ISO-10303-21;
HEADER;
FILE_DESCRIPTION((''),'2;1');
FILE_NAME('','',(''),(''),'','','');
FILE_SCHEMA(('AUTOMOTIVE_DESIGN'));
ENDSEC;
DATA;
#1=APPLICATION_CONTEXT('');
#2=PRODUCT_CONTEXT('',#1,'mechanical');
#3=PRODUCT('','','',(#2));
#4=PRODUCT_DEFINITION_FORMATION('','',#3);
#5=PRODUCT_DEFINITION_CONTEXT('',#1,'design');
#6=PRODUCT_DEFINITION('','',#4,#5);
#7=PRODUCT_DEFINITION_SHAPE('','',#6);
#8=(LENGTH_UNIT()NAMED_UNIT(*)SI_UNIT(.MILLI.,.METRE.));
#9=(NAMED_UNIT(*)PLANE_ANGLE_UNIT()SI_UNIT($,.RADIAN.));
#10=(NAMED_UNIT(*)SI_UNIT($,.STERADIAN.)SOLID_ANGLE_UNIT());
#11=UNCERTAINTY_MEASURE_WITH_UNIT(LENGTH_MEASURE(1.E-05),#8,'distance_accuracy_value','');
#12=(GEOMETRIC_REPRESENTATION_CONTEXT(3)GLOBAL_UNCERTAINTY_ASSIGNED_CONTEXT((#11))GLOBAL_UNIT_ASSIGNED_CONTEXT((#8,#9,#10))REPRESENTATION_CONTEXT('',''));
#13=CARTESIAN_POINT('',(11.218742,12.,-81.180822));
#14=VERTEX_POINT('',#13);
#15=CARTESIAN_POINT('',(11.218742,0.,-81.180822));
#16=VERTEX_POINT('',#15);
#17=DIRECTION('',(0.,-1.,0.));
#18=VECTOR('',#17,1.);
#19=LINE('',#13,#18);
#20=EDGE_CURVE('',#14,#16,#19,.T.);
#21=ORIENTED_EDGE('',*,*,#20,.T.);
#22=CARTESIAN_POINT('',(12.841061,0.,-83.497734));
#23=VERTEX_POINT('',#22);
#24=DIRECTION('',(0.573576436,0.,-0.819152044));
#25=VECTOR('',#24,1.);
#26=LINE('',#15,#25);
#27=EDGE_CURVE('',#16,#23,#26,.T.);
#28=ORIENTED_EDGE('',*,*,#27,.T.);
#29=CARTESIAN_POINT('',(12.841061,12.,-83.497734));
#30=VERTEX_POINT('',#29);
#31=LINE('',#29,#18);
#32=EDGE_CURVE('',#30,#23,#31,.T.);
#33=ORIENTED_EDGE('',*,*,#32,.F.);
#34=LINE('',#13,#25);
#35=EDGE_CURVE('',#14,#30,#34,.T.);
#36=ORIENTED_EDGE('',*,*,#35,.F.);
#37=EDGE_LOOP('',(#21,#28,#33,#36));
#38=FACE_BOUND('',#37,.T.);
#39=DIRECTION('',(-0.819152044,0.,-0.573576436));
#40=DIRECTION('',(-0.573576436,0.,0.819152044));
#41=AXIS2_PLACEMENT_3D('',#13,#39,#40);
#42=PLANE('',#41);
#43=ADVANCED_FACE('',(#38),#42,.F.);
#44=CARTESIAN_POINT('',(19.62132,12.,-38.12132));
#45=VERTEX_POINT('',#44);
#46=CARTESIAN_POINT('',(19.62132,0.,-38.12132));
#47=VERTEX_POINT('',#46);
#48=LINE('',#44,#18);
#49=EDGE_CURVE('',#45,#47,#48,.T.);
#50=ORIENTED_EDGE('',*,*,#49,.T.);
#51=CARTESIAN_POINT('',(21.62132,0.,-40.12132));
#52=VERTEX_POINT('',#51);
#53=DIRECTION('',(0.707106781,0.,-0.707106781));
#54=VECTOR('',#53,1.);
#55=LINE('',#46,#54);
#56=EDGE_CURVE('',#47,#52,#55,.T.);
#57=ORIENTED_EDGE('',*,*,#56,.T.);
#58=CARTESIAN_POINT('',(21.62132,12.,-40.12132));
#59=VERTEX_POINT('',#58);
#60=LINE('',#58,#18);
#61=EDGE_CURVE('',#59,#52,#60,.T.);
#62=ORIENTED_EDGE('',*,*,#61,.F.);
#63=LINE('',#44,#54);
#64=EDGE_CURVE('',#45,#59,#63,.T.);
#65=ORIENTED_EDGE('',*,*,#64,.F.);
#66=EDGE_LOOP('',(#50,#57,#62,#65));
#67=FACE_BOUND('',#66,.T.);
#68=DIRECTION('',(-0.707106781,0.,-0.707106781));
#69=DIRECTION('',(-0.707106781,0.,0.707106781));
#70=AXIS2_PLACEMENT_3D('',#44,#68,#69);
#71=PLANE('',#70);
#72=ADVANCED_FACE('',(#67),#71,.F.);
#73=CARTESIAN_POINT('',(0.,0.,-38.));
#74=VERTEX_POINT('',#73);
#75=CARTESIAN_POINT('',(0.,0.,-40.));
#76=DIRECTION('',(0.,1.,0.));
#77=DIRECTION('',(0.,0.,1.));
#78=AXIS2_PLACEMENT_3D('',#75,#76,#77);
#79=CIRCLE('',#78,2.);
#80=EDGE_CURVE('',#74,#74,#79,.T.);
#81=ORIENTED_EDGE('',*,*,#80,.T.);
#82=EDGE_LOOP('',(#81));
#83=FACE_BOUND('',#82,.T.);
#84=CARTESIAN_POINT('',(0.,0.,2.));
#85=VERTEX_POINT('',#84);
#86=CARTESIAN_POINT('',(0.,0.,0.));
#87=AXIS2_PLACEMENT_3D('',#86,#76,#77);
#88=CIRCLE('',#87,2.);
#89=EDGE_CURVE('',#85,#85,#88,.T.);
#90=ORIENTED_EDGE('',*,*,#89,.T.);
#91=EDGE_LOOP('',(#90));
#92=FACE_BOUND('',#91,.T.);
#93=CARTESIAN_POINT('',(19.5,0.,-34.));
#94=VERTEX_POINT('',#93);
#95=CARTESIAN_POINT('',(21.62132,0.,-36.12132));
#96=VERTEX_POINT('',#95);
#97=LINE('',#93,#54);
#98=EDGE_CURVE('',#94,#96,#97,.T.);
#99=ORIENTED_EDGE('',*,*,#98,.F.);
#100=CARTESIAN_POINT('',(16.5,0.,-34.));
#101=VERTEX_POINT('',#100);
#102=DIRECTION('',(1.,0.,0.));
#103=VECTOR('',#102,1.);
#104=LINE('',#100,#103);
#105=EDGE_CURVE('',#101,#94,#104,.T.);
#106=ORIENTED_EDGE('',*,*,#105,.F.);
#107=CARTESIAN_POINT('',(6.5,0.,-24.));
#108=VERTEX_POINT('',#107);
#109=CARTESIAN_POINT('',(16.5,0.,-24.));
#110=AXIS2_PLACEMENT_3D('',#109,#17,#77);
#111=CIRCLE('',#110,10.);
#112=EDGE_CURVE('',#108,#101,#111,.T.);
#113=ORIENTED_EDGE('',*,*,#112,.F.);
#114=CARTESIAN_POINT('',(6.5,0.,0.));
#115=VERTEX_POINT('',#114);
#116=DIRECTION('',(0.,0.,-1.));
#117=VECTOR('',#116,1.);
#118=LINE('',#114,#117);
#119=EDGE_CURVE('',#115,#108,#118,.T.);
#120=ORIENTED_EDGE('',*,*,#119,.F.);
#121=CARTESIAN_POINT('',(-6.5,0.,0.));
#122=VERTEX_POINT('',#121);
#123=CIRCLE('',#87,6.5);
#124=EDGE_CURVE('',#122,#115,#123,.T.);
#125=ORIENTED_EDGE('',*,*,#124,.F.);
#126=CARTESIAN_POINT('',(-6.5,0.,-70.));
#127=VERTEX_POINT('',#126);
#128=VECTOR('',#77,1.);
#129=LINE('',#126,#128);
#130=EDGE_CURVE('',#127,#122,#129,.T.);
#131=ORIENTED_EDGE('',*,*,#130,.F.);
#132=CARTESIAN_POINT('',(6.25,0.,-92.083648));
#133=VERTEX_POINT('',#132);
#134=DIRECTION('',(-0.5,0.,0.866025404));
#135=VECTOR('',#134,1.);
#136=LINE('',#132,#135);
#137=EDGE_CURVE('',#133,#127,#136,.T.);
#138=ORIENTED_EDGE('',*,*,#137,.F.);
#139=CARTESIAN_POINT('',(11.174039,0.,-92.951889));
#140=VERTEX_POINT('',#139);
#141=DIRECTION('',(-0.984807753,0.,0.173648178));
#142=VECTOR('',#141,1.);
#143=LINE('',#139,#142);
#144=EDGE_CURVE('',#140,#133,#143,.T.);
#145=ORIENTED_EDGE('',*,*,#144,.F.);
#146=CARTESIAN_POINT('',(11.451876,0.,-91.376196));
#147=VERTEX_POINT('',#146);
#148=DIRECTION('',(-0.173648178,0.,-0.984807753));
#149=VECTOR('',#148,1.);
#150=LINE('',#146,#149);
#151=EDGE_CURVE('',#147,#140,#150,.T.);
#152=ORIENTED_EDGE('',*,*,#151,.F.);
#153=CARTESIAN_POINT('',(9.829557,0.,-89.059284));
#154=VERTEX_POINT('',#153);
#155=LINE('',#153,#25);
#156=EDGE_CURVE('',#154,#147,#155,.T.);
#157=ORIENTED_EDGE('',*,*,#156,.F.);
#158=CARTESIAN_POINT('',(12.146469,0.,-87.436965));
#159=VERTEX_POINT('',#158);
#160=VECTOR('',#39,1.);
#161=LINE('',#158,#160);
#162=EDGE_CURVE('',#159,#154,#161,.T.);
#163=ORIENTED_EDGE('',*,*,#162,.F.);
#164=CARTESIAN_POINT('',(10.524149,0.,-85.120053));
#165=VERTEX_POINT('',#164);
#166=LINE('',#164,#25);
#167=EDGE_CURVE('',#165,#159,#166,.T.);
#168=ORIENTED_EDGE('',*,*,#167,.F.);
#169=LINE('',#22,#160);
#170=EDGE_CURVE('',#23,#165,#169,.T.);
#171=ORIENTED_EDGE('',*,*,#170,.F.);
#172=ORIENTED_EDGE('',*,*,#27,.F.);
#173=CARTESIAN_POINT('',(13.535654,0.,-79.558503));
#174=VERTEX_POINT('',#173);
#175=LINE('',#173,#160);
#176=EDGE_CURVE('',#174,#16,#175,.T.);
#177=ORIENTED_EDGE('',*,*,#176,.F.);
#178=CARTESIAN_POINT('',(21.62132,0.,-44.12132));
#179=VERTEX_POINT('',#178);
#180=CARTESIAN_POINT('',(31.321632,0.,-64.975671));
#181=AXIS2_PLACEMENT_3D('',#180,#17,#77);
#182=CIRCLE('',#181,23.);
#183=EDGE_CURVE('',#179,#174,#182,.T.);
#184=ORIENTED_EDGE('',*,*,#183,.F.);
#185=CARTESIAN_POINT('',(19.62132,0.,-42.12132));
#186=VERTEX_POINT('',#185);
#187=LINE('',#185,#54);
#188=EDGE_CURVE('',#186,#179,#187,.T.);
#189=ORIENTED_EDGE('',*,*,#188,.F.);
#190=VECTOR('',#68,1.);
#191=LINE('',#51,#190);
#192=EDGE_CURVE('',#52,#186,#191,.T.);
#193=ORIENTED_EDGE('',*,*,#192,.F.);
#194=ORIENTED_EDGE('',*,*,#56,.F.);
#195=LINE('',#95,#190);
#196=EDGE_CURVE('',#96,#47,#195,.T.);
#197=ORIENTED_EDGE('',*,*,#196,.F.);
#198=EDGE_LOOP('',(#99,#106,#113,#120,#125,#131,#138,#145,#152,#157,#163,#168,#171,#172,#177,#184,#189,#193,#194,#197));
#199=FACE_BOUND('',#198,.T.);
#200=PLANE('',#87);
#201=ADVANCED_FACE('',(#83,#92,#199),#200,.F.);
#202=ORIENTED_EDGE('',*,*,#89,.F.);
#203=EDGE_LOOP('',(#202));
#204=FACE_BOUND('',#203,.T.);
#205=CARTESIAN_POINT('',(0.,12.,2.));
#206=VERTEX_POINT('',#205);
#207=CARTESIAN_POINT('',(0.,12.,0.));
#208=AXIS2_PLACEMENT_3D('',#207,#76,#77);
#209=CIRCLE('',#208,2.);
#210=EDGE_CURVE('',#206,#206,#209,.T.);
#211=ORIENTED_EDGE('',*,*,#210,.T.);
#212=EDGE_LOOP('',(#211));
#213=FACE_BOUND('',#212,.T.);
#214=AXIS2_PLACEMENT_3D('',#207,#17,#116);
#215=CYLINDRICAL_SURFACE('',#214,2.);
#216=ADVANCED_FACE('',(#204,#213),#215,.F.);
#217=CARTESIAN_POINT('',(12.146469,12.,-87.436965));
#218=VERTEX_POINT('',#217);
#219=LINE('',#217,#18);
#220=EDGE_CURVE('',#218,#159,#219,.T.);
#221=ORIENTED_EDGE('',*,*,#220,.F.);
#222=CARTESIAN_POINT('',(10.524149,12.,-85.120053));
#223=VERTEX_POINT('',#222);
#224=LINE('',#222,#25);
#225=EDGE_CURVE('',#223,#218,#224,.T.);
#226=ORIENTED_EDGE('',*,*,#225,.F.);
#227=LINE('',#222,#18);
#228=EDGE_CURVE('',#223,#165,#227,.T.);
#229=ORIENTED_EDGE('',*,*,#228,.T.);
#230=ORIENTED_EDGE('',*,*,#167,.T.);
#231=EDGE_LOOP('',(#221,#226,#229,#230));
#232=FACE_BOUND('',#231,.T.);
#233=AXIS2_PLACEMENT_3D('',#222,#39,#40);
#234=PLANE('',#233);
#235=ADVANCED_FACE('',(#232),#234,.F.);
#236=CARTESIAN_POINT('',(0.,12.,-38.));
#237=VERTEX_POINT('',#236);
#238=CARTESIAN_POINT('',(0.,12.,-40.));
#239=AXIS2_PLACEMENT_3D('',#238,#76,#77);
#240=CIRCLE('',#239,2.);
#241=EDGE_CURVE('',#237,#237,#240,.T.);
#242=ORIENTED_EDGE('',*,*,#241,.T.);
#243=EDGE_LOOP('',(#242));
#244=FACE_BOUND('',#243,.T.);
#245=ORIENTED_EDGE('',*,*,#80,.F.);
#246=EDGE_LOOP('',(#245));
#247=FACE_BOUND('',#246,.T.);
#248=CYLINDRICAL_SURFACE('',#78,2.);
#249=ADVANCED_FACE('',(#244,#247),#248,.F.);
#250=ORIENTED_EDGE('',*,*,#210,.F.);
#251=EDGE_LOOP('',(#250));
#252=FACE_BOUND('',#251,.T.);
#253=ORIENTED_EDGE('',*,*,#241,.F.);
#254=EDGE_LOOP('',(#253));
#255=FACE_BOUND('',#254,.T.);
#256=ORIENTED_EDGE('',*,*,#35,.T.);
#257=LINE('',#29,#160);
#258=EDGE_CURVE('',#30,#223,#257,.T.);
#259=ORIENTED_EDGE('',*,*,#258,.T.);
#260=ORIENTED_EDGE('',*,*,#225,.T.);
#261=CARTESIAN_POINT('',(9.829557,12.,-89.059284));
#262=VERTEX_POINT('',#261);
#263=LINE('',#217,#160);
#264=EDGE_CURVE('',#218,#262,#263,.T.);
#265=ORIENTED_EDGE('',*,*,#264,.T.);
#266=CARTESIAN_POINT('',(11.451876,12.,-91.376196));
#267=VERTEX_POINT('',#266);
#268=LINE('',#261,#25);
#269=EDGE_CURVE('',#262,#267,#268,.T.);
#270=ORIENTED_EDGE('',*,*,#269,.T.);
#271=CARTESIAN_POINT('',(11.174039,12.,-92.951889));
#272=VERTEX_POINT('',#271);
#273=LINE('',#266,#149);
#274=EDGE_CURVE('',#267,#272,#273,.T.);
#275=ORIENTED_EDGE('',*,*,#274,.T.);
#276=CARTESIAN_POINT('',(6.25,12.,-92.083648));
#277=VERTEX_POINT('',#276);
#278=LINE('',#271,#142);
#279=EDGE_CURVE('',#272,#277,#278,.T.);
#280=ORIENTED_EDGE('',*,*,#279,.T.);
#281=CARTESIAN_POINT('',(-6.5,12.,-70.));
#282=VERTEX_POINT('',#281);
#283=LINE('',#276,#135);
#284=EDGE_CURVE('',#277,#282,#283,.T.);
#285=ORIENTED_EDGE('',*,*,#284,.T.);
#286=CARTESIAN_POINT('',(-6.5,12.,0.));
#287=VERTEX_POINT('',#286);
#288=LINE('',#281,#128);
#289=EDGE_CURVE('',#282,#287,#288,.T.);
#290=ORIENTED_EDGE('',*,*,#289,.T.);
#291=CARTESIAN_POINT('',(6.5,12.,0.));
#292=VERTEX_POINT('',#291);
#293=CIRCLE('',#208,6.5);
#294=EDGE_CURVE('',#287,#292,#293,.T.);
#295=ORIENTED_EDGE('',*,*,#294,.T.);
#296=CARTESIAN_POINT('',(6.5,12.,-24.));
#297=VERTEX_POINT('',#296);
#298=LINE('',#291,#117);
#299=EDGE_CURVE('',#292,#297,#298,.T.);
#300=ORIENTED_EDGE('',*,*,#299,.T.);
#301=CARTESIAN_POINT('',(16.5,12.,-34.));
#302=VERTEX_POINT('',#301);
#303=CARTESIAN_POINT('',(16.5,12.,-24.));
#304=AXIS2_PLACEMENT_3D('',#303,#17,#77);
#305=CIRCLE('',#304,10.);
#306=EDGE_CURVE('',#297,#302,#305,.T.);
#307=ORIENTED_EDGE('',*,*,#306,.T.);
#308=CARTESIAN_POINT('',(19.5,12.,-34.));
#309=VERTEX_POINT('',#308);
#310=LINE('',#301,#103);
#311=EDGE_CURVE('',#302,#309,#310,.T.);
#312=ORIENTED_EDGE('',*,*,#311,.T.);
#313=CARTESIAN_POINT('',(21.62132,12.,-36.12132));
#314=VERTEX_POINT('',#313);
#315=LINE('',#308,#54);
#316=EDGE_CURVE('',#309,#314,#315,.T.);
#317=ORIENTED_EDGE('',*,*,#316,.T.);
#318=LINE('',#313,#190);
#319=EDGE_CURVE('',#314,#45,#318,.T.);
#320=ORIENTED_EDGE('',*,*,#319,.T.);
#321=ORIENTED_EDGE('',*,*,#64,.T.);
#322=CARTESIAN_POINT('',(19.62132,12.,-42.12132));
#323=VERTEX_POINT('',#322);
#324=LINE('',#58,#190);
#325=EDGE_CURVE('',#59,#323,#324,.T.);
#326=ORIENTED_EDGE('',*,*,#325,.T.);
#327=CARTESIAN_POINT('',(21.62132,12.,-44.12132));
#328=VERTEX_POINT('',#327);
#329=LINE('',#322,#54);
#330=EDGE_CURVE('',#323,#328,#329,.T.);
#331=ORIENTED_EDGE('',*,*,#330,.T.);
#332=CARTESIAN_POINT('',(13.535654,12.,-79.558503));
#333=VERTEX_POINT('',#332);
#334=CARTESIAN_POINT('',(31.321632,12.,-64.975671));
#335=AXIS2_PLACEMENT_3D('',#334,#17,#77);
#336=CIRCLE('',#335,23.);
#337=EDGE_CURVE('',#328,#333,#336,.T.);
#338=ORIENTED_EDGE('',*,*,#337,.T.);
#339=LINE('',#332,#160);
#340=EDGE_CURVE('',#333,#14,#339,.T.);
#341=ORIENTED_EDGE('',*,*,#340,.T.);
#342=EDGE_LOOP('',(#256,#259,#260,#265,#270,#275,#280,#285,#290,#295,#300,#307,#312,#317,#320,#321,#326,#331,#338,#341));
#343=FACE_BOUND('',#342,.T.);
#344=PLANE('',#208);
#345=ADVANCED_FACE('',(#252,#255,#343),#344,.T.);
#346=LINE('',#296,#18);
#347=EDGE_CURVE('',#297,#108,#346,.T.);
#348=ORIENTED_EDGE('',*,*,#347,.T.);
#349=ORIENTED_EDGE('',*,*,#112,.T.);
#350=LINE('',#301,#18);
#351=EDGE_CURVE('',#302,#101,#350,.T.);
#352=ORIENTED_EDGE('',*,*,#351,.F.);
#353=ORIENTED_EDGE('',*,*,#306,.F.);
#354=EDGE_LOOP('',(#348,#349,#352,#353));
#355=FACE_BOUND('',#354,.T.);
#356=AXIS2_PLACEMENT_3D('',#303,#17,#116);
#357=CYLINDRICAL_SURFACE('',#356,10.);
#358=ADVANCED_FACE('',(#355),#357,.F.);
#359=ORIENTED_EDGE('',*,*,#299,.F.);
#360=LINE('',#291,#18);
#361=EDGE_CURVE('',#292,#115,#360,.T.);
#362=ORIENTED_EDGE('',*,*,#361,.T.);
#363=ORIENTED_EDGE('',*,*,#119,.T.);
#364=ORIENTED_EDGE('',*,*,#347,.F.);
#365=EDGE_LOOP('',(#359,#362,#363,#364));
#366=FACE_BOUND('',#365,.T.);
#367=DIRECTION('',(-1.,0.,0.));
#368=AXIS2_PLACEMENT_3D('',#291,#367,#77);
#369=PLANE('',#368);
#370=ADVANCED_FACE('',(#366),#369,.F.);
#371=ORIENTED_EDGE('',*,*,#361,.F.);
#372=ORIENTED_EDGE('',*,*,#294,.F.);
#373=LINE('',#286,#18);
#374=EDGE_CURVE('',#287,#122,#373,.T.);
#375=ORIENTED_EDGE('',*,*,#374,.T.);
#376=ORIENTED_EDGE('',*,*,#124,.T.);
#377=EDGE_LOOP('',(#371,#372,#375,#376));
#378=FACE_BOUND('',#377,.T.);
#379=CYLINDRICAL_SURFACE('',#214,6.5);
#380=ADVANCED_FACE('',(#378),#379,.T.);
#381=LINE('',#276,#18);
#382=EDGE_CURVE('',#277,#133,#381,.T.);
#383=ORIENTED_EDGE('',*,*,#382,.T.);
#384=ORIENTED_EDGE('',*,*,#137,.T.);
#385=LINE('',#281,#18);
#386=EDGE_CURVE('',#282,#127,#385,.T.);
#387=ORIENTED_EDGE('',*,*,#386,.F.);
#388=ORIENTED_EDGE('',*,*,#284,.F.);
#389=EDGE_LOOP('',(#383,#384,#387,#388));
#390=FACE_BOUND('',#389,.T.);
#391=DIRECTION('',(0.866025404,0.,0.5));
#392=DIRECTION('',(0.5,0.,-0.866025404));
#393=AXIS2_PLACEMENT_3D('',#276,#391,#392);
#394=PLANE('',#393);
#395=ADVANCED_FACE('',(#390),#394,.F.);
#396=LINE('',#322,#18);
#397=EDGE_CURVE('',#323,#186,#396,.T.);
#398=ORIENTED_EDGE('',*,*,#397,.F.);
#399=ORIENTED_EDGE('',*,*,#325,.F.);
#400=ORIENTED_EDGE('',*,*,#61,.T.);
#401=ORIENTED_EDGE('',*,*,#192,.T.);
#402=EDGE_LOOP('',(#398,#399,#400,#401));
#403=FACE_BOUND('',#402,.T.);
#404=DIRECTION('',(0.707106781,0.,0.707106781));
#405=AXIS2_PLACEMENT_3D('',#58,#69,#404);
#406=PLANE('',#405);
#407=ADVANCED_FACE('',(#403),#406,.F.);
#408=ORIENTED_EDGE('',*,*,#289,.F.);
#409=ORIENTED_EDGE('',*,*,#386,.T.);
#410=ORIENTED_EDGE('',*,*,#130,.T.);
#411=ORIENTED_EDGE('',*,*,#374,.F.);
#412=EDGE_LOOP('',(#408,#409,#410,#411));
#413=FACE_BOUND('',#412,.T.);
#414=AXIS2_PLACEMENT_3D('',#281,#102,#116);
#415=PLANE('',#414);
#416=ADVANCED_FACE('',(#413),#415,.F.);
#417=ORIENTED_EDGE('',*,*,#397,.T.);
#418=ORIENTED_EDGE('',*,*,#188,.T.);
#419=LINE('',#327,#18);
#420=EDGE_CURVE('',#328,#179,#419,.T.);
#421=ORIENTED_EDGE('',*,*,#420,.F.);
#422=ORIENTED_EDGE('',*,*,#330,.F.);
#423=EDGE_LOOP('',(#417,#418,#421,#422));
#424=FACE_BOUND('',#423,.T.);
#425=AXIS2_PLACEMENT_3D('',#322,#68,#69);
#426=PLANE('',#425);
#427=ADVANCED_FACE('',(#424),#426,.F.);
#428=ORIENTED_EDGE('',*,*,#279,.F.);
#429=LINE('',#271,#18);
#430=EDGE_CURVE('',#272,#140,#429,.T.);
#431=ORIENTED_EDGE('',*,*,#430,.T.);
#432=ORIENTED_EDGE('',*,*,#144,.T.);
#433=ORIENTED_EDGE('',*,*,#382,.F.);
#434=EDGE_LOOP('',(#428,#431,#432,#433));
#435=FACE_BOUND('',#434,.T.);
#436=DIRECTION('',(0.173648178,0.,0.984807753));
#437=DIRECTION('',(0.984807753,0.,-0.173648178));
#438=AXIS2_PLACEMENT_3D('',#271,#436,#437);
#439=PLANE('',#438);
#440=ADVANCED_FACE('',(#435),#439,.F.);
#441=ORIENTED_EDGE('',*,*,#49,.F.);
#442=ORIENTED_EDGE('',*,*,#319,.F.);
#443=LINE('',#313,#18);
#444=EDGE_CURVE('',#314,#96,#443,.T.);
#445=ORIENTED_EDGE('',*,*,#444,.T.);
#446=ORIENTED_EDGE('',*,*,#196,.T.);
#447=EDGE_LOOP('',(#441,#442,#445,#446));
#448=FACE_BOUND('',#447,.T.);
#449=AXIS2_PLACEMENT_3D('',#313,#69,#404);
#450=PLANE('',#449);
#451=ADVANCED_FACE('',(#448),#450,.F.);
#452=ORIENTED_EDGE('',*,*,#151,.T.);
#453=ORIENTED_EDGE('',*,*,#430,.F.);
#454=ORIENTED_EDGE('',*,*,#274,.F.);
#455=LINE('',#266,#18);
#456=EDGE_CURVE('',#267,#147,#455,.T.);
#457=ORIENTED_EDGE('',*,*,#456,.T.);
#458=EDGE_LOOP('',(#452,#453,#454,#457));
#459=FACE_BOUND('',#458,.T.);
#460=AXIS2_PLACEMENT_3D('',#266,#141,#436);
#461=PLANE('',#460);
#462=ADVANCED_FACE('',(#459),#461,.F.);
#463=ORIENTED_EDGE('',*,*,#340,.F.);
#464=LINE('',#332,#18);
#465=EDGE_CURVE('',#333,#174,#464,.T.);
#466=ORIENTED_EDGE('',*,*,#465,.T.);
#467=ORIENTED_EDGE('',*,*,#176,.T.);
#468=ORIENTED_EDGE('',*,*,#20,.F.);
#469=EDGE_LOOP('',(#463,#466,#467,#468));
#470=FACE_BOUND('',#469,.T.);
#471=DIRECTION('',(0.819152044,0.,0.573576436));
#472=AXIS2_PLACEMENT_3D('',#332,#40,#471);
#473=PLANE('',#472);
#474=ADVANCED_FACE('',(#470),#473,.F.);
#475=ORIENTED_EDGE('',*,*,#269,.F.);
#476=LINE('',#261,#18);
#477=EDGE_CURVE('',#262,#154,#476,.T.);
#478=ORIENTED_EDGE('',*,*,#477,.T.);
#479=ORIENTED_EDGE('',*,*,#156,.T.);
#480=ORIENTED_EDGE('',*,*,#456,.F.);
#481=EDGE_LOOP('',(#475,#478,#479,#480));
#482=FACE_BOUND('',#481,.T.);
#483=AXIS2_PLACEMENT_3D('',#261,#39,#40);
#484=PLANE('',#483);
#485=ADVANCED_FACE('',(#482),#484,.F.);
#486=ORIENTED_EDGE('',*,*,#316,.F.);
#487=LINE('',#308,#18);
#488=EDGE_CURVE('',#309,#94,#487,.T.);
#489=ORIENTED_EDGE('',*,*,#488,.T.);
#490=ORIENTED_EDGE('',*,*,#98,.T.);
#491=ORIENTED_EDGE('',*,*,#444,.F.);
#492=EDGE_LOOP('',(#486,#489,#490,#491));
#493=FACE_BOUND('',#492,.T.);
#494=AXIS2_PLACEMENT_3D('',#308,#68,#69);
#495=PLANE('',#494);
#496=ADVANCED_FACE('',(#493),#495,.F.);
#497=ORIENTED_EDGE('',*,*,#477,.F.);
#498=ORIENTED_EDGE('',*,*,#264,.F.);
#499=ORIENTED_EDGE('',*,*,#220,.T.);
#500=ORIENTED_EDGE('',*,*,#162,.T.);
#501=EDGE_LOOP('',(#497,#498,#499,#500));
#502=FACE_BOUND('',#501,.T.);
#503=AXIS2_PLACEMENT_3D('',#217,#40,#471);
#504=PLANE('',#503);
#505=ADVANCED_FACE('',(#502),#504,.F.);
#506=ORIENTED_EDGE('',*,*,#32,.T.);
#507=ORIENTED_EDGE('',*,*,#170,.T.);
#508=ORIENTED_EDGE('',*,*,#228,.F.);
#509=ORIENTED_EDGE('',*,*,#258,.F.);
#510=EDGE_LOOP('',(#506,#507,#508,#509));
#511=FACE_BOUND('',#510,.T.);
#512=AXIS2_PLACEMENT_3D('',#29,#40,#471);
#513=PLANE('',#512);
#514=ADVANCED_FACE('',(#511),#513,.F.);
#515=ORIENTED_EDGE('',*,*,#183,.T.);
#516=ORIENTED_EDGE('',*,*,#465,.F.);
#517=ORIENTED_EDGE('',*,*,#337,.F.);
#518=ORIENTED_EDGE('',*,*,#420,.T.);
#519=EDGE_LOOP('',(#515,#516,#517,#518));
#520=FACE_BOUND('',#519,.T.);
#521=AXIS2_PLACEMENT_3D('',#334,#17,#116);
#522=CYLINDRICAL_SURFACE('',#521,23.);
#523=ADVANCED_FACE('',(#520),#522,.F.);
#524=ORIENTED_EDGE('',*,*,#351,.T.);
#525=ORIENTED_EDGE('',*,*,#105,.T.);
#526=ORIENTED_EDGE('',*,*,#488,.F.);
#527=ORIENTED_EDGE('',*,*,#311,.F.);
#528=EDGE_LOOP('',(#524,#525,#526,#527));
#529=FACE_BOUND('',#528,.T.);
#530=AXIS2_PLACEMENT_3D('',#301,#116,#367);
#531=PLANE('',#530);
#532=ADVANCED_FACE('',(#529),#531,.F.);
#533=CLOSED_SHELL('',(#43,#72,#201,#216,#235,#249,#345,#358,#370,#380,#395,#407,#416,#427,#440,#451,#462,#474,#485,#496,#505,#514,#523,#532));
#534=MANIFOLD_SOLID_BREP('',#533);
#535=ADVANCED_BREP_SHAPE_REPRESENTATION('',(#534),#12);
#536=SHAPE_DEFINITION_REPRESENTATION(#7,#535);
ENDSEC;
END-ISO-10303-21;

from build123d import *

# Parameters (mm, degrees)
CROQUIS2_R              = 2
SALIENTE_EXTRUIR1_DEPTH = 12
SKETCH1_R               = 2
CUT_EXTRUDE1_DEPTH      = 97.1849006


with BuildPart() as part:
    # Croquis2 → Saliente-Extruir1 (new body)
    with BuildSketch(Plane(origin=(0, 0, 0), x_dir=(1, 0, 0), z_dir=(0, 1, 0))):
        with BuildLine():
            Line((-6.5, 70), (-6.5, 0))
            ThreePointArc((-6.5, 0), (0, -6.5), (6.5, 0))
            Line((6.5, 0), (6.5, 24))
            ThreePointArc((6.5, 24), (9.428932188, 31.071067812), (16.5, 34))
            Line((16.5, 34), (19.5, 34))
            Line((19.5, 34), (21.621320344, 36.121320344))
            Line((21.621320344, 36.121320344), (19.621320344, 38.121320344))
            Line((19.621320344, 38.121320344), (21.621320344, 40.121320344))
            Line((21.621320344, 40.121320344), (19.621320344, 42.121320344))
            Line((19.621320344, 42.121320344), (21.621320344, 44.121320344))
            ThreePointArc((21.621320344, 44.121320344), (8.897927721, 59.859277281), (13.535653981, 79.558503244))
            Line((13.535653981, 79.558503244), (11.21874212, 81.180822395))
            Line((11.21874212, 81.180822395), (12.841061271, 83.497734256))
            Line((12.841061271, 83.497734256), (10.524149409, 85.120053407))
            Line((10.524149409, 85.120053407), (12.14646856, 87.436965268))
            Line((12.14646856, 87.436965268), (9.829556699, 89.059284419))
            Line((9.829556699, 89.059284419), (11.451875849, 91.37619628))
            Line((11.451875849, 91.37619628), (11.174038765, 92.951888685))
            Line((11.174038765, 92.951888685), (6.25, 92.083647797))
            Line((6.25, 92.083647797), (-6.5, 70))
        make_face()
        with Locations(Location((0, 0, 0), (0, 0, 270))):
            Circle(CROQUIS2_R, mode=Mode.SUBTRACT)
    extrude(amount=SALIENTE_EXTRUIR1_DEPTH)

    # Sketch1 → Cut-Extrude1 (cut, through all)
    with BuildSketch(Plane(origin=(0, 12, 0), x_dir=(1, 0, 0), z_dir=(0, 1, 0))):
        with Locations(Location((0, 40, 0), (0, 0, 270))):
            Circle(SKETCH1_R)
    extrude(amount=-CUT_EXTRUDE1_DEPTH, mode=Mode.SUBTRACT)


solid = part.part
